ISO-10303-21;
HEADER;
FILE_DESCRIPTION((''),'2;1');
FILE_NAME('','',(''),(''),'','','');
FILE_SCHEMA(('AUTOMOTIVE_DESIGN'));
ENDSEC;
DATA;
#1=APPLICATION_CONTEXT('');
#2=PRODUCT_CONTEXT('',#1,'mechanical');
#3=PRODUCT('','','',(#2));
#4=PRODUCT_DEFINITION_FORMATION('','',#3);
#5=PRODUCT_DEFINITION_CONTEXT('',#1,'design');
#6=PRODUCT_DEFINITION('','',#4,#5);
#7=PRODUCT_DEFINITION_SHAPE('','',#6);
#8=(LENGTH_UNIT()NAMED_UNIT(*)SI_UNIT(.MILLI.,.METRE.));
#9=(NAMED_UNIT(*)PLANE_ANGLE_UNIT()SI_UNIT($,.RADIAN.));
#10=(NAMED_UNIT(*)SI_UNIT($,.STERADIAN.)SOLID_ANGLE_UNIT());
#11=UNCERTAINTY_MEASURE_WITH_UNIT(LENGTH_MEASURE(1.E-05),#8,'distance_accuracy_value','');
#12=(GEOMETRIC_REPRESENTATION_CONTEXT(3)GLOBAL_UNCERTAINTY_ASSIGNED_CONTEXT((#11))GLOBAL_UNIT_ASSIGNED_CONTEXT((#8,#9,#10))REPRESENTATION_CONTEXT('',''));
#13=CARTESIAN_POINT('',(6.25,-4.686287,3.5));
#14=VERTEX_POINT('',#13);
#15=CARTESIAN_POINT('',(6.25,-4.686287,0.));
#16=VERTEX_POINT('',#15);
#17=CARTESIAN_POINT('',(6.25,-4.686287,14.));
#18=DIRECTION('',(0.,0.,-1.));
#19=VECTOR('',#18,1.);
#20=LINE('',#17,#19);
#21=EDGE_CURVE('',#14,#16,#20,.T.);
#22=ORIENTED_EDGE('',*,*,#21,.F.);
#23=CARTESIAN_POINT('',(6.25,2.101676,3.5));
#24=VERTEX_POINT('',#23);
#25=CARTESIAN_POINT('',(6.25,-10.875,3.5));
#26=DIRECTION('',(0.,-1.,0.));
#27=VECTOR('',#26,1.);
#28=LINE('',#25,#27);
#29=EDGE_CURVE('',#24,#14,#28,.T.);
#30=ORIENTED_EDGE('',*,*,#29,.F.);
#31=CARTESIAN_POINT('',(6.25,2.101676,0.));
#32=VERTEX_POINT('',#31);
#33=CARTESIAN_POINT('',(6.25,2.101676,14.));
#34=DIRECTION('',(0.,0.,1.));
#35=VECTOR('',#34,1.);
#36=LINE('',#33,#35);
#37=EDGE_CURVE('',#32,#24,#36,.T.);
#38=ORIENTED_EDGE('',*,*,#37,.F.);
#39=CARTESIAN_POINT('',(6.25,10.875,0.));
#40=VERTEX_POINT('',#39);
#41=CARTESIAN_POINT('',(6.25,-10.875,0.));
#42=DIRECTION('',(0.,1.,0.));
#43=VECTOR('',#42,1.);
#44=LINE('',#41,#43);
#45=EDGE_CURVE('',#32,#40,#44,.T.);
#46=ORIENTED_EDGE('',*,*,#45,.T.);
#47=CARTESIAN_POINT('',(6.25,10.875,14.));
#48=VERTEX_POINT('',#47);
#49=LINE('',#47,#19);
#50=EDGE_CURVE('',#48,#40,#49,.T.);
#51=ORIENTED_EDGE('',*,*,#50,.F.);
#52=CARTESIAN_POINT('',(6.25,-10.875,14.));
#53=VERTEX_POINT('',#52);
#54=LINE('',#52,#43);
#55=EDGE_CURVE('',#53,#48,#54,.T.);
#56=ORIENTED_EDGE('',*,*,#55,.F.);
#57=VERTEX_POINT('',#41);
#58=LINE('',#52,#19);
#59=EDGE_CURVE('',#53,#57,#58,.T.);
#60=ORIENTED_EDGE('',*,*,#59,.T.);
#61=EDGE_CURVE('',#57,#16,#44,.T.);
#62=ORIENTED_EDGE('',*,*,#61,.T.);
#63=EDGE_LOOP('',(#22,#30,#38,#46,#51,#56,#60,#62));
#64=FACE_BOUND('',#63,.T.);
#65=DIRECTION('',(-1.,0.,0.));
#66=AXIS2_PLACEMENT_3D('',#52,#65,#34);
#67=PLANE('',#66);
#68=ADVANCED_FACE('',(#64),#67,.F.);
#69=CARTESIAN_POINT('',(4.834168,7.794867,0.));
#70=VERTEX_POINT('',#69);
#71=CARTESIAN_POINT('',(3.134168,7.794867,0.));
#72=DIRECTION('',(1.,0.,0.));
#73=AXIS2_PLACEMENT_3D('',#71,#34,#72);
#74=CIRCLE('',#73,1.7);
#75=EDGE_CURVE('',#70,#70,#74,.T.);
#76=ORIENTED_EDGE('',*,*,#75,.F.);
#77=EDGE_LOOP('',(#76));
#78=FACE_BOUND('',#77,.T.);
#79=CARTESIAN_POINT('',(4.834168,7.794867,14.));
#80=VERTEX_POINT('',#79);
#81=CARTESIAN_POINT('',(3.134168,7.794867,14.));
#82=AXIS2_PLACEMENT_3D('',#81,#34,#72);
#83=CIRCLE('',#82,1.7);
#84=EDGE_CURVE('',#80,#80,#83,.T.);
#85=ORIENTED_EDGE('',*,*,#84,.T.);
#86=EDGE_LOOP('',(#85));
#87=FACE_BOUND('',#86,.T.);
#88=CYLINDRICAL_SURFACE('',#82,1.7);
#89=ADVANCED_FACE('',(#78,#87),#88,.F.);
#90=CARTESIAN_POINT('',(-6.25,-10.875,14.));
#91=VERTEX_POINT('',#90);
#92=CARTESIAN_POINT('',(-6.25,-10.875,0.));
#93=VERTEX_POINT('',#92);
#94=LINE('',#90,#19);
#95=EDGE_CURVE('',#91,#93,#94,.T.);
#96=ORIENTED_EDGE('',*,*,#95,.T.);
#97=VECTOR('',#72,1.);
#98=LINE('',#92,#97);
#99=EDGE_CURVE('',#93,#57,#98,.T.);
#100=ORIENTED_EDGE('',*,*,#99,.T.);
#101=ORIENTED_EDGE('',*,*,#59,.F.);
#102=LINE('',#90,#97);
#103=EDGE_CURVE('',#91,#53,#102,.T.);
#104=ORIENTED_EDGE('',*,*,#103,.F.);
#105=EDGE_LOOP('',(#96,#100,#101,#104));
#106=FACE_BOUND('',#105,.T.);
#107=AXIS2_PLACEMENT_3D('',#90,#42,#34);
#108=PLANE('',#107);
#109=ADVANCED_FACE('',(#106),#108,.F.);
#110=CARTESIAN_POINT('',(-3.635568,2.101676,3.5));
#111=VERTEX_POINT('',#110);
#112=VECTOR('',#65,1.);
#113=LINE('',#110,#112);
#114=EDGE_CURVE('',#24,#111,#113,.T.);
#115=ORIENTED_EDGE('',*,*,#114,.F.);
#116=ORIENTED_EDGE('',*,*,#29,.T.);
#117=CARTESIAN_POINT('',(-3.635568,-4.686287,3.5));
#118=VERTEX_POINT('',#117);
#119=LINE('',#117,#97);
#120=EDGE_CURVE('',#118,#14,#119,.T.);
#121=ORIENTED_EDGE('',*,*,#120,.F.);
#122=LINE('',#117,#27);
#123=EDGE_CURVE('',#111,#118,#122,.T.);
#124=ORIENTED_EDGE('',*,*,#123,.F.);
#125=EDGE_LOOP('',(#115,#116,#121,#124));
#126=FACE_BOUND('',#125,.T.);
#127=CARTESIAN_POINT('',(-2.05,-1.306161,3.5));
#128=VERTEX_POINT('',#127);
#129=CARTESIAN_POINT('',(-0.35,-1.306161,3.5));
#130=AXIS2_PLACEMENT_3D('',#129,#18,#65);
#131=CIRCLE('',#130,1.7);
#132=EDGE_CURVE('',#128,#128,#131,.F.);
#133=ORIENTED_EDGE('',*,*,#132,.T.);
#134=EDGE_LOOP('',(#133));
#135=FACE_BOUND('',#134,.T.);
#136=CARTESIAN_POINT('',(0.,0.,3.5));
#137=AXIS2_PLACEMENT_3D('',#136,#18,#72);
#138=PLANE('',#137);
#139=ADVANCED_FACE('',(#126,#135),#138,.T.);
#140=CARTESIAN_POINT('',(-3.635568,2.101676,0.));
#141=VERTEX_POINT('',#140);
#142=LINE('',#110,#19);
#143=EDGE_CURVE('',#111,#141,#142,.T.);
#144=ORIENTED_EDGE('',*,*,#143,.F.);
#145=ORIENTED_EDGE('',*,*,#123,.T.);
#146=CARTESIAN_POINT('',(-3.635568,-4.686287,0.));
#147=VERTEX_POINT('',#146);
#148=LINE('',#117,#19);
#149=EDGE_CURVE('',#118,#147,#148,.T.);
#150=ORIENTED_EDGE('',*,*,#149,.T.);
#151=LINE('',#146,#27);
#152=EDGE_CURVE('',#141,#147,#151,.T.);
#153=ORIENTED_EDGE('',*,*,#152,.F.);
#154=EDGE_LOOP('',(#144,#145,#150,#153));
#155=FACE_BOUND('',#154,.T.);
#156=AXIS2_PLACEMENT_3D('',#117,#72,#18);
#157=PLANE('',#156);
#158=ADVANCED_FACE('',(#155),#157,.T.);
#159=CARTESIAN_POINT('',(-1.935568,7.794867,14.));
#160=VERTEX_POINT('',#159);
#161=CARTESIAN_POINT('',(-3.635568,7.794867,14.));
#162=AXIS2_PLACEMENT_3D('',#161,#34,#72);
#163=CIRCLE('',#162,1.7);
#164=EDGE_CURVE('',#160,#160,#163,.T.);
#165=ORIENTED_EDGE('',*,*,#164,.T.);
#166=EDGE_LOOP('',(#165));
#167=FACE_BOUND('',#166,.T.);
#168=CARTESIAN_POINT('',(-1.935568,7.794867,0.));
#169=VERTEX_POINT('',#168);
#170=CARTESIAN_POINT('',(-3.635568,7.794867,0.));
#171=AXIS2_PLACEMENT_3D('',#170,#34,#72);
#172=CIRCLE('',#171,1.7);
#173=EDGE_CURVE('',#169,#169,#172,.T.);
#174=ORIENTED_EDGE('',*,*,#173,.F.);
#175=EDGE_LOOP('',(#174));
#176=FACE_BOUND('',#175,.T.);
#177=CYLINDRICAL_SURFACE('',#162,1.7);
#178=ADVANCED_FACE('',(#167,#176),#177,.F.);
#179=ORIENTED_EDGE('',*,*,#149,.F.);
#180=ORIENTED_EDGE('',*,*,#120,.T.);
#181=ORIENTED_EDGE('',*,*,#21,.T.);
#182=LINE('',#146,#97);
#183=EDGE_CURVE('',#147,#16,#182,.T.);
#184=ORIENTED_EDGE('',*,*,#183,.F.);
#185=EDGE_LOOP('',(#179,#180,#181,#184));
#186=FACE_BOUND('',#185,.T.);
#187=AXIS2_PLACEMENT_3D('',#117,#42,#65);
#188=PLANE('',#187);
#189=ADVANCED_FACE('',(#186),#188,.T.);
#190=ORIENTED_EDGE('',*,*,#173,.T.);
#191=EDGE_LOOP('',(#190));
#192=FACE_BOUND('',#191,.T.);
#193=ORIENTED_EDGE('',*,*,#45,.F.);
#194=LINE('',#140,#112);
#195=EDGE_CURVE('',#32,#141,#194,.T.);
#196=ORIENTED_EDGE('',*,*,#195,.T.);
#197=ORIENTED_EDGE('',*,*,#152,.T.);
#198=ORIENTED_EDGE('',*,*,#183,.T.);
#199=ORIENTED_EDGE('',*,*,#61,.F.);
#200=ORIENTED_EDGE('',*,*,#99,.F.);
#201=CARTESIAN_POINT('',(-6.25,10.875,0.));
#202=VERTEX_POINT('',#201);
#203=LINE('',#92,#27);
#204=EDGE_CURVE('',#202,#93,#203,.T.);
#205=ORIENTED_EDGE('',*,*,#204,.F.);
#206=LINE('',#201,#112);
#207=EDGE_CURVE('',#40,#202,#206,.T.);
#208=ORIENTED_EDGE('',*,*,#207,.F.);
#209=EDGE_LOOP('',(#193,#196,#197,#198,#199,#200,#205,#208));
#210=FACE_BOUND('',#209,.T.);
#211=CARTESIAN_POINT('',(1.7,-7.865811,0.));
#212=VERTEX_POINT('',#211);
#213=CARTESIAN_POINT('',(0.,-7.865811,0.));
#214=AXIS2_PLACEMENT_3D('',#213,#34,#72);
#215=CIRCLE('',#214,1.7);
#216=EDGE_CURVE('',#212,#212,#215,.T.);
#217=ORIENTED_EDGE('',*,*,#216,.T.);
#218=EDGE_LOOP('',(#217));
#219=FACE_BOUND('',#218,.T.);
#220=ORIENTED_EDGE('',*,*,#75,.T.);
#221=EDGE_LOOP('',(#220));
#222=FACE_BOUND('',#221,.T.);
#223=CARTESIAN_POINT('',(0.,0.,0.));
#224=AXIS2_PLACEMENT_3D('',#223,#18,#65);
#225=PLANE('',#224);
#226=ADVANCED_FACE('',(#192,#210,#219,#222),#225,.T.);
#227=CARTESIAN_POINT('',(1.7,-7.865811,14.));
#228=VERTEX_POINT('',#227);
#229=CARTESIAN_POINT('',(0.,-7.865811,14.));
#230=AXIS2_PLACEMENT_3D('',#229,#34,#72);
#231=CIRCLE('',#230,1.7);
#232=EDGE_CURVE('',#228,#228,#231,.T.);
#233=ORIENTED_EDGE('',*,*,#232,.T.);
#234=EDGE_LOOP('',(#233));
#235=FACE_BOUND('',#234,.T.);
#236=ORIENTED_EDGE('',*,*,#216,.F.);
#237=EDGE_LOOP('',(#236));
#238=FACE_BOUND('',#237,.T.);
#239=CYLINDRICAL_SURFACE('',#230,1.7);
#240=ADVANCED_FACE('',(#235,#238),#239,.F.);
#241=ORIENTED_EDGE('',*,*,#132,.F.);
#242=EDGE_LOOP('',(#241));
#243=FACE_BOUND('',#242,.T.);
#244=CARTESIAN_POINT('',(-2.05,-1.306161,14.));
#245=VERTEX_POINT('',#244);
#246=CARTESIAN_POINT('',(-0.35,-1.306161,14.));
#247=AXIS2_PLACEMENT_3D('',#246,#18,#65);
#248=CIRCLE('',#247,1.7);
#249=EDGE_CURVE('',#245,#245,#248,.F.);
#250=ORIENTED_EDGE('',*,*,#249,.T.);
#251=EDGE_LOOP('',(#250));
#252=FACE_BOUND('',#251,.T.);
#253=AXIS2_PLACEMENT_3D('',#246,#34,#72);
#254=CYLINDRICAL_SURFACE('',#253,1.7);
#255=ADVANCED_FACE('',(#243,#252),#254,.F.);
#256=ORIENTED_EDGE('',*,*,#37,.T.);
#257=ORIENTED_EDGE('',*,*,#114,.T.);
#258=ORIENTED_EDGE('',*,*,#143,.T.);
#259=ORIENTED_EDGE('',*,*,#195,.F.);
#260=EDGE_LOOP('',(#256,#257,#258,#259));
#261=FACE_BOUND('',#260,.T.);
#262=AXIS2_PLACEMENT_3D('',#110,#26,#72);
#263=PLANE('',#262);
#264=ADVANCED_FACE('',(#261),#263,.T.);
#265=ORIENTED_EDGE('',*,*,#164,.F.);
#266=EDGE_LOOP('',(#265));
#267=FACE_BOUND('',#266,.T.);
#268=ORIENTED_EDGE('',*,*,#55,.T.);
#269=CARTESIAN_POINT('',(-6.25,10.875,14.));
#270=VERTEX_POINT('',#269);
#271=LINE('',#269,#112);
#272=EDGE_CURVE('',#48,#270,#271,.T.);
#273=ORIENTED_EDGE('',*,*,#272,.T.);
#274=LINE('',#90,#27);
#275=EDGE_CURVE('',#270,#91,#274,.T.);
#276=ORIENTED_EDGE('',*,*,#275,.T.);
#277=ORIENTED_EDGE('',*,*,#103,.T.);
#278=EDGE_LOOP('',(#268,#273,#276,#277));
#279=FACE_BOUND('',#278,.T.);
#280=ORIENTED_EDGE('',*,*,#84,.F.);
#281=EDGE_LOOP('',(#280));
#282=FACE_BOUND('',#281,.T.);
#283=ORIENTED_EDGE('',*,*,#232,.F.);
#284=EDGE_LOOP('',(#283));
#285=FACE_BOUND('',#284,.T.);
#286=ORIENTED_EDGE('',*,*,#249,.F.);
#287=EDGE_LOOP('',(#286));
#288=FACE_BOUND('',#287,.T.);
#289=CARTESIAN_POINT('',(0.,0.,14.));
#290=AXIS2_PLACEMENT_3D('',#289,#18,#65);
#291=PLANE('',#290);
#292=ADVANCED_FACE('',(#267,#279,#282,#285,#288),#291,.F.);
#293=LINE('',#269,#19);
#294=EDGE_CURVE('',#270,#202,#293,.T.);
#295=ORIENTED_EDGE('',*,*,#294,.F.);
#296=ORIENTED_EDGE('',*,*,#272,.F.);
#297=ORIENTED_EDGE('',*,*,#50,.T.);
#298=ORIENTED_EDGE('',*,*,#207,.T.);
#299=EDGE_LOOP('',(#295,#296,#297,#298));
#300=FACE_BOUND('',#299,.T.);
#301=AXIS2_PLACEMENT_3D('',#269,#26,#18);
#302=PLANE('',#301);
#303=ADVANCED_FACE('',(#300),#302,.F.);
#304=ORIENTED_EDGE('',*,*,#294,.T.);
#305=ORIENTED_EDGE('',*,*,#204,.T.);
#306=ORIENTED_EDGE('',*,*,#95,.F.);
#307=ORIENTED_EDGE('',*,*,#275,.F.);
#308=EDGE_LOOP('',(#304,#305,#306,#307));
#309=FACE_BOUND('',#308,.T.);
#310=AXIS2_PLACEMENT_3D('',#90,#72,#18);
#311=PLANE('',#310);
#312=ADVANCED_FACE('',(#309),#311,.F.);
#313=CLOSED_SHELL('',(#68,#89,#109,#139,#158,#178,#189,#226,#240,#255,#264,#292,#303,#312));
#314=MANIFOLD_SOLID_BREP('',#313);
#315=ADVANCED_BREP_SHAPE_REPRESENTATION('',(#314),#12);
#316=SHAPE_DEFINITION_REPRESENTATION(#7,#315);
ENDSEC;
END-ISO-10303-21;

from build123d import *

# Parameters (mm, degrees)
ESQUISSE1_W             = 12.5
ESQUISSE1_H             = 21.75
BOSS_EXTRU_3_DEPTH      = 14
ESQUISSE9_W             = 10.579409941
ESQUISSE9_H             = 6.787962443
ENL_V_MAT_EXTRU_7_DEPTH = 3.5
D_GAGEMENT_M32_D        = 3.4
D_GAGEMENT_M33_D        = 3.4
ESQUISSE23_W            = 9.88556754
ESQUISSE23_H            = 6.787962443
ESQUISSE23_R            = 1.7
BOSS_EXTRU_4_DEPTH      = 3.5


with BuildPart() as part:
    # Esquisse1 → Boss.-Extru.3 (new body)
    with BuildSketch(Plane.XY):
        Rectangle(ESQUISSE1_W, ESQUISSE1_H)
    extrude(amount=BOSS_EXTRU_3_DEPTH)

    # Esquisse9 → Enlèv. mat.-Extru.7 (cut)
    with BuildSketch(Plane.XY.offset(14)):
        with Locations((1.654137431, -1.292305661)):
            Rectangle(ESQUISSE9_W, ESQUISSE9_H)
    enl_v_mat_extru_7 = extrude(amount=-ENL_V_MAT_EXTRU_7_DEPTH, mode=Mode.SUBTRACT)

    # Dégagement M32 (through all)
    with Locations(Plane.XY.offset(14)):
        with Locations((-0.35, -1.306160818)):
            Hole(D_GAGEMENT_M32_D / 2)

    # Dégagement M33 (through all)
    with Locations(Plane.XY.offset(14)):
        with Locations((-3.63556754, 7.794867284), (3.134168266, 7.794867284), (0, -7.865811289)):
            Hole(D_GAGEMENT_M33_D / 2)

    # Symétrie1: Enlèv. mat.-Extru.7 across plane
    add(enl_v_mat_extru_7.mirror(Plane.XY.offset(7)), mode=Mode.SUBTRACT)

    # Esquisse23 → Boss.-Extru.4 (add)
    with BuildSketch(Plane.XY.offset(10.5)):
        with Locations((1.30721623, -1.292305661)):
            Rectangle(ESQUISSE23_W, ESQUISSE23_H)
        with Locations(Location((-0.35, -1.306160818, 0), (0, 0, 180))):
            Circle(ESQUISSE23_R, mode=Mode.SUBTRACT)
    extrude(amount=BOSS_EXTRU_4_DEPTH)


solid = part.part
